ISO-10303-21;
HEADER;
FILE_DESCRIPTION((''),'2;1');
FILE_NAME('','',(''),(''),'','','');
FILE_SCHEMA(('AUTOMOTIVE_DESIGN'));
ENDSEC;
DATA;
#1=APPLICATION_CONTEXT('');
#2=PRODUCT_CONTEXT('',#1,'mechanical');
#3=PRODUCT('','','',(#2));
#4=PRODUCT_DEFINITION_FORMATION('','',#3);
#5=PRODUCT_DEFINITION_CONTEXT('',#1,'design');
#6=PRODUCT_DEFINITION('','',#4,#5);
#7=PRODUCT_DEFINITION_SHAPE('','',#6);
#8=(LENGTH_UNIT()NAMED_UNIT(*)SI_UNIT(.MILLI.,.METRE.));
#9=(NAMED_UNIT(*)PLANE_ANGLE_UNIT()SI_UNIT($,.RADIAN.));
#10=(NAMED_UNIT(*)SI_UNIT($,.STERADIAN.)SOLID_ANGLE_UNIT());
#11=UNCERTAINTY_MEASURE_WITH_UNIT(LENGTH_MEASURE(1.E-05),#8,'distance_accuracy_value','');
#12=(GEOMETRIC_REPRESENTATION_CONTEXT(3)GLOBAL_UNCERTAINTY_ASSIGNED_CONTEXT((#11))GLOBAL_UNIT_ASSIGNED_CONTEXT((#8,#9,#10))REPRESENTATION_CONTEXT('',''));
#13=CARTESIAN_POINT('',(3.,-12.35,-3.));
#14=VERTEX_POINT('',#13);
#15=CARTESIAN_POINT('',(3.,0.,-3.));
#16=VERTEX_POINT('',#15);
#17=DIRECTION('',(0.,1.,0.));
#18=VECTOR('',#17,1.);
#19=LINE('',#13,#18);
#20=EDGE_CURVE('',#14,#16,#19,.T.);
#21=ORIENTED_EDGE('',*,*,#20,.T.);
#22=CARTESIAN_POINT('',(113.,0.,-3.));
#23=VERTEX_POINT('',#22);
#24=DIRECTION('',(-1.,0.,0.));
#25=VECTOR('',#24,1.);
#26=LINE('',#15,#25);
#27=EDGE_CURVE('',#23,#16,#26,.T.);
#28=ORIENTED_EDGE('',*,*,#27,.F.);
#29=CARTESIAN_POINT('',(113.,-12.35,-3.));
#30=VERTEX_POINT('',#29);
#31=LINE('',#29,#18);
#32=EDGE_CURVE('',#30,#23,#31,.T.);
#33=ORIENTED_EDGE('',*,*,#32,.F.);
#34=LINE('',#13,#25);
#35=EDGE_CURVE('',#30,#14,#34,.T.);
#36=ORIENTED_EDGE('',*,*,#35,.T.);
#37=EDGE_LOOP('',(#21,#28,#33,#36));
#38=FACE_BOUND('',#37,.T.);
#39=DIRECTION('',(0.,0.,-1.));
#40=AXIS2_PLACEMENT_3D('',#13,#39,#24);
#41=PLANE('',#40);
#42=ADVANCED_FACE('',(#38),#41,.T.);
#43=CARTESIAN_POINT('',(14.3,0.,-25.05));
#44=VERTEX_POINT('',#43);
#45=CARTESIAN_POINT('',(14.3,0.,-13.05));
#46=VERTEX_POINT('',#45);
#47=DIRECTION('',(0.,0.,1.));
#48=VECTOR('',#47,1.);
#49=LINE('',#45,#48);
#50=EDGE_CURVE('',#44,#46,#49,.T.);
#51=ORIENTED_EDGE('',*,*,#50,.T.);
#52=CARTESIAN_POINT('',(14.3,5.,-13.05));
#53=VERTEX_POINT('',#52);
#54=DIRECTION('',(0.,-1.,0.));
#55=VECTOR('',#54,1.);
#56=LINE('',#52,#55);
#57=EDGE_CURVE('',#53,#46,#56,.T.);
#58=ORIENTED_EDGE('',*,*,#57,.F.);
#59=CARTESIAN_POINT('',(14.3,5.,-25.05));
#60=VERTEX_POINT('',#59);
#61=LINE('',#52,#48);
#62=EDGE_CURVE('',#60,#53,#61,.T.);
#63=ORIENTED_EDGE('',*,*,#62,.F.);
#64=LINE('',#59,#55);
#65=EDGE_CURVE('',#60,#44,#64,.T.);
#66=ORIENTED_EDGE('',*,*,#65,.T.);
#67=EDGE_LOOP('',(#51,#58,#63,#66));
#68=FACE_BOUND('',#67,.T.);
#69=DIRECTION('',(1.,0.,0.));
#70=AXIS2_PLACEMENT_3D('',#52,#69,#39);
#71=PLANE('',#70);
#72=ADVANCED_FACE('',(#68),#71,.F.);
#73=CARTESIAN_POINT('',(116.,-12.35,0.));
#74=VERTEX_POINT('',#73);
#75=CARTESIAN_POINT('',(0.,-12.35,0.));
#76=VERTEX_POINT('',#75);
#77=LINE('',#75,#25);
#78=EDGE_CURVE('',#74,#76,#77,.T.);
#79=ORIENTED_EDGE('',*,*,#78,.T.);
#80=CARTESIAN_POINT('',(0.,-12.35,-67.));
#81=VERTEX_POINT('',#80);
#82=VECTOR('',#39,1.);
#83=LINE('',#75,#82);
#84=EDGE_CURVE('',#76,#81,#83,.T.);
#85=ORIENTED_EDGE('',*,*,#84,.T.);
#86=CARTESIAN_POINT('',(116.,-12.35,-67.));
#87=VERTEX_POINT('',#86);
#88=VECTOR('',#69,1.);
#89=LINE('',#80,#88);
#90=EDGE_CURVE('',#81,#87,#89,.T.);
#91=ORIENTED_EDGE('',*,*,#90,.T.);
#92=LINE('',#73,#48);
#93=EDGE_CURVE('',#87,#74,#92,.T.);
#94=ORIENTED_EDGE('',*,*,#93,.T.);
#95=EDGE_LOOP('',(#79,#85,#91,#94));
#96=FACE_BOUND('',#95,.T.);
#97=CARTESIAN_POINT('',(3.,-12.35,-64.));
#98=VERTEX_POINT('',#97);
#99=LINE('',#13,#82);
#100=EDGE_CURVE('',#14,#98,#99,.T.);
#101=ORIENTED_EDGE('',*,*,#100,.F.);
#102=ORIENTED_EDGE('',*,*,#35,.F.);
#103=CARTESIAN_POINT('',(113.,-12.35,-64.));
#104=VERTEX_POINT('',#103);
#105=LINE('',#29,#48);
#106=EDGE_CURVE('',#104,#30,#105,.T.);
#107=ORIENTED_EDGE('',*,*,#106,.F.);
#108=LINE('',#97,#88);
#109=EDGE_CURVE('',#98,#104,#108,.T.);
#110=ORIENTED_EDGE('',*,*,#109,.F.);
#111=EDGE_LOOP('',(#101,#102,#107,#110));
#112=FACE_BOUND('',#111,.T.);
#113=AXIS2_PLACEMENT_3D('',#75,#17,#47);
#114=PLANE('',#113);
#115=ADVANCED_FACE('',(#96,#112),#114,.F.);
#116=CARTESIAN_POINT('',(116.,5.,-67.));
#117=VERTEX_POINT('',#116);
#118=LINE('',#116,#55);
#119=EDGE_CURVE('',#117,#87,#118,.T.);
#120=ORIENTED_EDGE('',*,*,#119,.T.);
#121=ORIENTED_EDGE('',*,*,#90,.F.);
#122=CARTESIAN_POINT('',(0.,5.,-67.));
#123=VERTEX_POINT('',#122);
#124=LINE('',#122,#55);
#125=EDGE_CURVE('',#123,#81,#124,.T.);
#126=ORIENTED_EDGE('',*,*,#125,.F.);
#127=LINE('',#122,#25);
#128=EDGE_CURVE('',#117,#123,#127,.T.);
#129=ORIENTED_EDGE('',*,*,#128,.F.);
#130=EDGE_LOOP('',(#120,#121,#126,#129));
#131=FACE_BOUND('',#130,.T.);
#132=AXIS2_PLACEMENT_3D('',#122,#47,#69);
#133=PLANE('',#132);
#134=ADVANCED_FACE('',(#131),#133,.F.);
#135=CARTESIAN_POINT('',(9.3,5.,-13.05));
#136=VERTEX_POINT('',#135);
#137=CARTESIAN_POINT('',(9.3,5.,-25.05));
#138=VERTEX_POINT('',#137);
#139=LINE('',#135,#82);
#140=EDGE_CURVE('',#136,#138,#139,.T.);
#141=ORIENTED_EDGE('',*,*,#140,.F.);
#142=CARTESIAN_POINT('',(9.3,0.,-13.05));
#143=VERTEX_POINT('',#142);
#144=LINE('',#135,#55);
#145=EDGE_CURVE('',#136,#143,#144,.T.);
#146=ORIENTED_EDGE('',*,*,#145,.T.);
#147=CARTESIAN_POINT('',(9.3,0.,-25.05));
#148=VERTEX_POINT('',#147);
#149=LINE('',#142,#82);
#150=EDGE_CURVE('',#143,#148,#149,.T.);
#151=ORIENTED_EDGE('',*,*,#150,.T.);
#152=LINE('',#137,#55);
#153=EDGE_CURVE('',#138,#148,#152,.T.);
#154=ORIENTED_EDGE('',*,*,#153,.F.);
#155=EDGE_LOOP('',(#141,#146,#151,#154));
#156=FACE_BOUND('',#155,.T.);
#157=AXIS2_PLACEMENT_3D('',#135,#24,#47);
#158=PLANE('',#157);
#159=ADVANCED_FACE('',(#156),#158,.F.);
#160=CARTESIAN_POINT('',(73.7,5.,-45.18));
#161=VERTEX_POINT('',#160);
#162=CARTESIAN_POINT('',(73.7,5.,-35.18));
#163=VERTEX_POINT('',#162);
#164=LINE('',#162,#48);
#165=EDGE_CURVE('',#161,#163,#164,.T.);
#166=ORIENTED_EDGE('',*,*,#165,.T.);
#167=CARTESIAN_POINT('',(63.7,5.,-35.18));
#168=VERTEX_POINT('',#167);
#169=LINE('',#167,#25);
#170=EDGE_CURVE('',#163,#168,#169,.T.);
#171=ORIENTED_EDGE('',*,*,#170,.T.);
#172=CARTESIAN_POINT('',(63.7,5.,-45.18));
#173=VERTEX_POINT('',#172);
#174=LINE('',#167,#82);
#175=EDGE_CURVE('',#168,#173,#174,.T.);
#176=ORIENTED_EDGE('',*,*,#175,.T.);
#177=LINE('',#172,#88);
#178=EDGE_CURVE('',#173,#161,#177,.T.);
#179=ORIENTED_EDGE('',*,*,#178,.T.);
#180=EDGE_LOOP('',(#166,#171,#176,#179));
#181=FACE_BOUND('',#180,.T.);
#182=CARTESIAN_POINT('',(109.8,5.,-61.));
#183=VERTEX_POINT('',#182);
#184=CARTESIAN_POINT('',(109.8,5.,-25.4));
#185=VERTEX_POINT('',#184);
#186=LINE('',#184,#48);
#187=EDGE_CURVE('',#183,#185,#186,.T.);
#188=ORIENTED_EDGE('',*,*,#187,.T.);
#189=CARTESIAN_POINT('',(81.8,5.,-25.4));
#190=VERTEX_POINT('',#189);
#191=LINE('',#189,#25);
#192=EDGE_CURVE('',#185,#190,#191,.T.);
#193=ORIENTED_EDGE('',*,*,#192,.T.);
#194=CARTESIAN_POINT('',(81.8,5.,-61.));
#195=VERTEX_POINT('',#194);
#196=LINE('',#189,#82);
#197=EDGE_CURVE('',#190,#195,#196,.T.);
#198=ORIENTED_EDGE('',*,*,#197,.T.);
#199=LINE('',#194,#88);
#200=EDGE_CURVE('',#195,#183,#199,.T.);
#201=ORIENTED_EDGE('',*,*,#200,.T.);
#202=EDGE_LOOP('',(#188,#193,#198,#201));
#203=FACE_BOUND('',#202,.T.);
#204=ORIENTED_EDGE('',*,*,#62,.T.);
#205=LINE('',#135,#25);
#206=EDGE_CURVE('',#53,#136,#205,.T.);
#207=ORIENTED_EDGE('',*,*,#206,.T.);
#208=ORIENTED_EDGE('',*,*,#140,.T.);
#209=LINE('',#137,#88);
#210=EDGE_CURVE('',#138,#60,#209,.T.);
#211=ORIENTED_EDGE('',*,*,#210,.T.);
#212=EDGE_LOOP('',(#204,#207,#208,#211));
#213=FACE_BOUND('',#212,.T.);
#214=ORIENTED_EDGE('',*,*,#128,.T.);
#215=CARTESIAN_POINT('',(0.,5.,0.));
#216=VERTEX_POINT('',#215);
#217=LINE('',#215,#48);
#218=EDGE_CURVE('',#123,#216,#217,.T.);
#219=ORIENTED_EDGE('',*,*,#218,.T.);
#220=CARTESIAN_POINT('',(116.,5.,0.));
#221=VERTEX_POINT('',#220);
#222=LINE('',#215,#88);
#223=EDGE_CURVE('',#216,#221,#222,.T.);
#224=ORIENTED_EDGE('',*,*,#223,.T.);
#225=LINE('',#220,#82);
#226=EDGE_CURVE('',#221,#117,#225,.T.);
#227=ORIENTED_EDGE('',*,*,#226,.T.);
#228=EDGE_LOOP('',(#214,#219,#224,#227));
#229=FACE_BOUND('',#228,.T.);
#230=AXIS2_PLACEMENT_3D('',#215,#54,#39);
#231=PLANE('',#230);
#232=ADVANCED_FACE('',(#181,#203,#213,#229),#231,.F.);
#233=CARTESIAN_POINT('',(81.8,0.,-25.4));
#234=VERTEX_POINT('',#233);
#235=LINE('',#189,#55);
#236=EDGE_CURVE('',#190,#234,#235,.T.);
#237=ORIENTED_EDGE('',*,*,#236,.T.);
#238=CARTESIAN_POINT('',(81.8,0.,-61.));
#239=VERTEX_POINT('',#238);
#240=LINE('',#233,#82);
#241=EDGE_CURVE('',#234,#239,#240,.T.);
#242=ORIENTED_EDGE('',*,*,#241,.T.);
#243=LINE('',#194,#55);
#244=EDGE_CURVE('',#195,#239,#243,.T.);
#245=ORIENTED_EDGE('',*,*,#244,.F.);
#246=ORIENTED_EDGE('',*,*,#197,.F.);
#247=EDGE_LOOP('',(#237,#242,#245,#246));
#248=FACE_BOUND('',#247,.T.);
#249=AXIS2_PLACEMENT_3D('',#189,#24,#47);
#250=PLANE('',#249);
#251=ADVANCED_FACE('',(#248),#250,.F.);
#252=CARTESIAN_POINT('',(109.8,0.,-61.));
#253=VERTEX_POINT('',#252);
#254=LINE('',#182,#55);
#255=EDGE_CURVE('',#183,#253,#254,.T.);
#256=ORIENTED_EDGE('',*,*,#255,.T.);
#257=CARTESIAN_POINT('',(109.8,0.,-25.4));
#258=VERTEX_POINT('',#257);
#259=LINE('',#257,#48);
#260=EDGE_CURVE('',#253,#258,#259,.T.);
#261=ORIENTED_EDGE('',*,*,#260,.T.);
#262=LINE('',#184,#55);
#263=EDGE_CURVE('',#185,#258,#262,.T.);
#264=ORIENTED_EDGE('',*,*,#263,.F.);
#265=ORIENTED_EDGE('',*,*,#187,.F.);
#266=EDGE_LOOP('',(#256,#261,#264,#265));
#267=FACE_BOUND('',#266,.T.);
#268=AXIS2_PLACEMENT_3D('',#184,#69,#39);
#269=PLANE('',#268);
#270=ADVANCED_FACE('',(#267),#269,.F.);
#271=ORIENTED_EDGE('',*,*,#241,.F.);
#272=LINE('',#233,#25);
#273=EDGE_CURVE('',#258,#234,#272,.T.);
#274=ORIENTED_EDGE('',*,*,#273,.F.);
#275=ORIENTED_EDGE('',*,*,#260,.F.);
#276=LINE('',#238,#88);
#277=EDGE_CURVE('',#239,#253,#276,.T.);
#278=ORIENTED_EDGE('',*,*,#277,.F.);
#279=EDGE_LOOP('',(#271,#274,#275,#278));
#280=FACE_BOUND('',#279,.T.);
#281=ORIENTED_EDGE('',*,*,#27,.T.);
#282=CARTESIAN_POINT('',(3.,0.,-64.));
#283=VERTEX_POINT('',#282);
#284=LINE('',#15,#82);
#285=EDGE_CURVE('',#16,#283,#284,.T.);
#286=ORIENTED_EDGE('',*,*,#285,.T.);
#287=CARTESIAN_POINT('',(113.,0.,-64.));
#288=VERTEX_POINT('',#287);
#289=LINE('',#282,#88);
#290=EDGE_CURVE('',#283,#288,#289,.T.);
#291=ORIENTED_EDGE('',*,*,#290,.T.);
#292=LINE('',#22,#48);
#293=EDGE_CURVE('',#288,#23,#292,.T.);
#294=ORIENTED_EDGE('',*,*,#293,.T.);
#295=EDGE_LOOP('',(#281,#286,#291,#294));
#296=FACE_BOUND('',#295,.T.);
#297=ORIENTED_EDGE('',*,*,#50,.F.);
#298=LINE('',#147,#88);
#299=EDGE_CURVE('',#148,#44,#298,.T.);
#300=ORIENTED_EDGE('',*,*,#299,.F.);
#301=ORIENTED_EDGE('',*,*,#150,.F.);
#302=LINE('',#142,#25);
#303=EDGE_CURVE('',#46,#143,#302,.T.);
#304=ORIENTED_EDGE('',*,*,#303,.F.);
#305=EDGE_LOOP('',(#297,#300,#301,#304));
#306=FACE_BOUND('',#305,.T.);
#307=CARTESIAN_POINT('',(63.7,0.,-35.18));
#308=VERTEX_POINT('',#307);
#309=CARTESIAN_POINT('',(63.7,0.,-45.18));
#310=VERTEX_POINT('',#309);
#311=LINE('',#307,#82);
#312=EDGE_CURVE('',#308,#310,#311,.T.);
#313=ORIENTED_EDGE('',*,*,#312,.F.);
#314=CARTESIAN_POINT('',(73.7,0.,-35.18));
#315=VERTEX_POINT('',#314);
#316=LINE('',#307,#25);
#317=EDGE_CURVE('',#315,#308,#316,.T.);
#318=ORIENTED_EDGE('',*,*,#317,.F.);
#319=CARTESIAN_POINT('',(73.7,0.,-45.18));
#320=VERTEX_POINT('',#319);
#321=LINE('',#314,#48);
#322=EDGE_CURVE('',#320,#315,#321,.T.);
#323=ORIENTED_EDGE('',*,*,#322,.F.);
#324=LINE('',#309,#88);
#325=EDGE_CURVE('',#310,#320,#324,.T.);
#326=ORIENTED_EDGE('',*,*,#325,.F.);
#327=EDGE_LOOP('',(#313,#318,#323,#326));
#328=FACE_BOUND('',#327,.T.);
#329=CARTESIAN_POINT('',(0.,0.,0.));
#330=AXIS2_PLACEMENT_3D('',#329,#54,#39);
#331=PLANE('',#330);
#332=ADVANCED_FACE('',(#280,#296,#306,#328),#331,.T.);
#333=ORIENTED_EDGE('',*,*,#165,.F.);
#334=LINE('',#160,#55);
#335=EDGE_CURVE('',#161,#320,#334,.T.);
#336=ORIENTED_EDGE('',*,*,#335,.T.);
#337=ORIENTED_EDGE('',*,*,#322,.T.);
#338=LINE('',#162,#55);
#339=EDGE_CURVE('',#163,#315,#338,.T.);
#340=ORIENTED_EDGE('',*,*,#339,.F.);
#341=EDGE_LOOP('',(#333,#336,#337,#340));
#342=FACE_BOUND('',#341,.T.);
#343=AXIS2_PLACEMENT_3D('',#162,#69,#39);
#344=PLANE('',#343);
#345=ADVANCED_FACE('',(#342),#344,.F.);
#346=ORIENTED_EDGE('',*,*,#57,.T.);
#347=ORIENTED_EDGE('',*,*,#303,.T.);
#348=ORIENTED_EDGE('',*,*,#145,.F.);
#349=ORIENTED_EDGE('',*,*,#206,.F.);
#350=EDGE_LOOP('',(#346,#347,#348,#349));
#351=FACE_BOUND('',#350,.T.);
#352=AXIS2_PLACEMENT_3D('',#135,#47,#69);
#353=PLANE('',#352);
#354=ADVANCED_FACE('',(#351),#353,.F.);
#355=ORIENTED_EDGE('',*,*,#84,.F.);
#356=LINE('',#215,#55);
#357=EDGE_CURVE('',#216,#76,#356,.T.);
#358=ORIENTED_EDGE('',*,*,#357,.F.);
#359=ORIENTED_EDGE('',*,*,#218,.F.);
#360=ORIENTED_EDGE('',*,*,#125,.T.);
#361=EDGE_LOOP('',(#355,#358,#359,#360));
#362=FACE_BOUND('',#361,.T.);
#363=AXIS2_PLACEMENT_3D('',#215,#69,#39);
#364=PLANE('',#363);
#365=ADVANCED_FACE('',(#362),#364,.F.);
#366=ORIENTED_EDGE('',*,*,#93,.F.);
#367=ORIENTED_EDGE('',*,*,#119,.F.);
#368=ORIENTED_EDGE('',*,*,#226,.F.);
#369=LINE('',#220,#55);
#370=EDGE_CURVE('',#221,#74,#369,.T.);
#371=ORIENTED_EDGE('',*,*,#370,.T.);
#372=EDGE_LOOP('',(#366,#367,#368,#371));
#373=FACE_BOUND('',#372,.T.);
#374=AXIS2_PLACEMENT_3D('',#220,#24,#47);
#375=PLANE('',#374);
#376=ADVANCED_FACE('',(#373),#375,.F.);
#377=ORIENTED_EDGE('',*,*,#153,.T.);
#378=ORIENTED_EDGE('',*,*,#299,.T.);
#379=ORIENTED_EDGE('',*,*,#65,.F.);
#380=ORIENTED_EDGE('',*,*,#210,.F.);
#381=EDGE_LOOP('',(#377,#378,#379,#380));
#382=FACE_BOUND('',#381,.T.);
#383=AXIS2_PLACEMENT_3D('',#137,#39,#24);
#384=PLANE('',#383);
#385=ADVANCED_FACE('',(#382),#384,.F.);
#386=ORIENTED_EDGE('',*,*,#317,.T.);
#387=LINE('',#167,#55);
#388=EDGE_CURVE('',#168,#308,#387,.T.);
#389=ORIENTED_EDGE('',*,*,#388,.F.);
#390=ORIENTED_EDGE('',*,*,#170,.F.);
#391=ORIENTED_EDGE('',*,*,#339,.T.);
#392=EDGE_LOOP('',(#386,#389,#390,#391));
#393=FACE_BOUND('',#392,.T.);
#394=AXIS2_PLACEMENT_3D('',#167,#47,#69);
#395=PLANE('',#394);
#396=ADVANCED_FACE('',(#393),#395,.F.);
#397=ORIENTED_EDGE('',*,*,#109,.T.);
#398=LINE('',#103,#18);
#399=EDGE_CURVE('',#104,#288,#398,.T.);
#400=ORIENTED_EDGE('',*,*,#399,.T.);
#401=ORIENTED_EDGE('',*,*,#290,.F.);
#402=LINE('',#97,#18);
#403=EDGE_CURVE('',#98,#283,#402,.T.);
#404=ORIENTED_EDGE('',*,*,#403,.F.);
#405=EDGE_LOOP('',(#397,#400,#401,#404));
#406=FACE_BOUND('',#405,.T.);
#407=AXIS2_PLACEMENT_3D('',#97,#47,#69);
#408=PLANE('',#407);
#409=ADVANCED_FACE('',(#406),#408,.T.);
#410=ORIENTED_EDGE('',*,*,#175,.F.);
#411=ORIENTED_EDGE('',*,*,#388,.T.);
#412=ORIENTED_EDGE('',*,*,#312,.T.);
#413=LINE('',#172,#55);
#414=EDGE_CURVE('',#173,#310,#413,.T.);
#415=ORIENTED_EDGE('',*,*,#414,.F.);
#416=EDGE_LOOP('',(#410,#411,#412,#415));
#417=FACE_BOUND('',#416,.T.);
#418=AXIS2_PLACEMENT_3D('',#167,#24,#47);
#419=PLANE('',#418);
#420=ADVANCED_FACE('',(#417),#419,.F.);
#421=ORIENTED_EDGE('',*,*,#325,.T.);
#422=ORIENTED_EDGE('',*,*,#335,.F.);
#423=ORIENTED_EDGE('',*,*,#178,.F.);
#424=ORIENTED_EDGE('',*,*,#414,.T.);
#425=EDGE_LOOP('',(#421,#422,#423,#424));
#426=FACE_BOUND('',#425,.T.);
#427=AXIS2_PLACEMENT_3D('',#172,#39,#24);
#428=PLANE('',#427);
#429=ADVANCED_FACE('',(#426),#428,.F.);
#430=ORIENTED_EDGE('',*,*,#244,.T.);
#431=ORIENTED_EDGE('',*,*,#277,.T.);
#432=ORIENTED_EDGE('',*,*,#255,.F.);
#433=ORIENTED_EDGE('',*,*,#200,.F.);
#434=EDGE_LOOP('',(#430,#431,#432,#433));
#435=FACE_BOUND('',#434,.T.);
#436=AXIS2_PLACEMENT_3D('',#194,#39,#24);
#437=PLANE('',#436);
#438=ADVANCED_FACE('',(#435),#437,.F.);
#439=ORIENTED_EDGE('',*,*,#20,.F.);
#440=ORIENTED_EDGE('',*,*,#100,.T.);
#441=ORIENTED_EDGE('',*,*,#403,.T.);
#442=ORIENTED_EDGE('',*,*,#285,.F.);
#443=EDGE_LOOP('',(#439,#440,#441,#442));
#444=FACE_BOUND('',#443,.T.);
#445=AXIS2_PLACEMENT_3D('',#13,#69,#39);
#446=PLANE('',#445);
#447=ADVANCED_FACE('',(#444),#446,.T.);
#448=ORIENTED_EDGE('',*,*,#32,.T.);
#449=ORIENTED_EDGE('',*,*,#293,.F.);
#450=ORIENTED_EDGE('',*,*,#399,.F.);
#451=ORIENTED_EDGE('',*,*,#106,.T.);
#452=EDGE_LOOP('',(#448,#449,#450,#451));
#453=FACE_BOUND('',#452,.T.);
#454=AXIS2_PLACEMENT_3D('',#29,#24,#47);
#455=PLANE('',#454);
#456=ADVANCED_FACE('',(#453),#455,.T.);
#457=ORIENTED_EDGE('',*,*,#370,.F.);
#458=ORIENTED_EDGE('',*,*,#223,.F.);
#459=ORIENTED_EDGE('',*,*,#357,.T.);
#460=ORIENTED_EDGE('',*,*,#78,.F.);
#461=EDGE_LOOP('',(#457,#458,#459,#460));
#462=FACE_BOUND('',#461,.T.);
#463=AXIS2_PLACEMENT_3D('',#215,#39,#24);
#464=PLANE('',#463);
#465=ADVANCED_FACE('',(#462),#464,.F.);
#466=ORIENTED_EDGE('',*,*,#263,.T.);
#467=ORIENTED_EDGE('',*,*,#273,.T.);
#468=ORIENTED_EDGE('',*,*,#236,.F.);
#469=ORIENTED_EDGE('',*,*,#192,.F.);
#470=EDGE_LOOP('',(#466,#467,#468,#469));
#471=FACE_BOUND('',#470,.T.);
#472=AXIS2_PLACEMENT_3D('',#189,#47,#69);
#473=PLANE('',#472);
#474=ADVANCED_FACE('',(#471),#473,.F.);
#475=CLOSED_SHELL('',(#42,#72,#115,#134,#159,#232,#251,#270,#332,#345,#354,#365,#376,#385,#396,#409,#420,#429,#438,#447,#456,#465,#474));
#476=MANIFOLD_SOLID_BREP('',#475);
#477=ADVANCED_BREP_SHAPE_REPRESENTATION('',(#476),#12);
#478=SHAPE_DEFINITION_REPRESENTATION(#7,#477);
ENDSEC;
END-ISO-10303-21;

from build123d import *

# Parameters (mm, degrees)
SKETCH1_W           = 116
SKETCH1_H           = 67
BOSS_EXTRUDE1_DEPTH = 5
SKETCH2_W           = 116
SKETCH2_H           = 67
SKETCH2_W_2         = 110
SKETCH2_H_2         = 61
BOSS_EXTRUDE2_DEPTH = 12.35
SKETCH3_W           = 28
SKETCH3_H           = 35.6
CUT_EXTRUDE1_DEPTH  = 135.527032599
SKETCH4_W           = 10
SKETCH4_H           = 10
CUT_EXTRUDE2_DEPTH  = 135.527032599
SKETCH5_W           = 5
SKETCH5_H           = 12
CUT_EXTRUDE3_DEPTH  = 135.527032599


with BuildPart() as part:
    # Sketch1 → Boss-Extrude1 (new body)
    with BuildSketch(Plane(origin=(0, 0, 0), x_dir=(1, 0, 0), z_dir=(0, 1, 0))):
        with Locations((58, 33.5)):
            Rectangle(SKETCH1_W, SKETCH1_H)
    extrude(amount=BOSS_EXTRUDE1_DEPTH)

    # Sketch2 → Boss-Extrude2 (add)
    with BuildSketch(Plane.XZ):
        with Locations((58, -33.5)):
            Rectangle(SKETCH2_W, SKETCH2_H)
        with Locations((58, -33.5)):
            Rectangle(SKETCH2_W_2, SKETCH2_H_2, mode=Mode.SUBTRACT)
    extrude(amount=BOSS_EXTRUDE2_DEPTH)

    # Sketch3 → Cut-Extrude1 (cut, through all)
    with BuildSketch(Plane.XZ):
        with Locations((95.8, -43.2)):
            Rectangle(SKETCH3_W, SKETCH3_H)
    extrude(amount=-CUT_EXTRUDE1_DEPTH, mode=Mode.SUBTRACT)

    # Sketch4 → Cut-Extrude2 (cut, through all)
    with BuildSketch(Plane.XZ):
        with Locations((68.7, -40.18)):
            Rectangle(SKETCH4_W, SKETCH4_H)
    extrude(amount=-CUT_EXTRUDE2_DEPTH, mode=Mode.SUBTRACT)

    # Sketch5 → Cut-Extrude3 (cut, through all)
    with BuildSketch(Plane.XZ):
        with Locations((11.8, -19.05)):
            Rectangle(SKETCH5_W, SKETCH5_H)
    extrude(amount=-CUT_EXTRUDE3_DEPTH, mode=Mode.SUBTRACT)


solid = part.part
